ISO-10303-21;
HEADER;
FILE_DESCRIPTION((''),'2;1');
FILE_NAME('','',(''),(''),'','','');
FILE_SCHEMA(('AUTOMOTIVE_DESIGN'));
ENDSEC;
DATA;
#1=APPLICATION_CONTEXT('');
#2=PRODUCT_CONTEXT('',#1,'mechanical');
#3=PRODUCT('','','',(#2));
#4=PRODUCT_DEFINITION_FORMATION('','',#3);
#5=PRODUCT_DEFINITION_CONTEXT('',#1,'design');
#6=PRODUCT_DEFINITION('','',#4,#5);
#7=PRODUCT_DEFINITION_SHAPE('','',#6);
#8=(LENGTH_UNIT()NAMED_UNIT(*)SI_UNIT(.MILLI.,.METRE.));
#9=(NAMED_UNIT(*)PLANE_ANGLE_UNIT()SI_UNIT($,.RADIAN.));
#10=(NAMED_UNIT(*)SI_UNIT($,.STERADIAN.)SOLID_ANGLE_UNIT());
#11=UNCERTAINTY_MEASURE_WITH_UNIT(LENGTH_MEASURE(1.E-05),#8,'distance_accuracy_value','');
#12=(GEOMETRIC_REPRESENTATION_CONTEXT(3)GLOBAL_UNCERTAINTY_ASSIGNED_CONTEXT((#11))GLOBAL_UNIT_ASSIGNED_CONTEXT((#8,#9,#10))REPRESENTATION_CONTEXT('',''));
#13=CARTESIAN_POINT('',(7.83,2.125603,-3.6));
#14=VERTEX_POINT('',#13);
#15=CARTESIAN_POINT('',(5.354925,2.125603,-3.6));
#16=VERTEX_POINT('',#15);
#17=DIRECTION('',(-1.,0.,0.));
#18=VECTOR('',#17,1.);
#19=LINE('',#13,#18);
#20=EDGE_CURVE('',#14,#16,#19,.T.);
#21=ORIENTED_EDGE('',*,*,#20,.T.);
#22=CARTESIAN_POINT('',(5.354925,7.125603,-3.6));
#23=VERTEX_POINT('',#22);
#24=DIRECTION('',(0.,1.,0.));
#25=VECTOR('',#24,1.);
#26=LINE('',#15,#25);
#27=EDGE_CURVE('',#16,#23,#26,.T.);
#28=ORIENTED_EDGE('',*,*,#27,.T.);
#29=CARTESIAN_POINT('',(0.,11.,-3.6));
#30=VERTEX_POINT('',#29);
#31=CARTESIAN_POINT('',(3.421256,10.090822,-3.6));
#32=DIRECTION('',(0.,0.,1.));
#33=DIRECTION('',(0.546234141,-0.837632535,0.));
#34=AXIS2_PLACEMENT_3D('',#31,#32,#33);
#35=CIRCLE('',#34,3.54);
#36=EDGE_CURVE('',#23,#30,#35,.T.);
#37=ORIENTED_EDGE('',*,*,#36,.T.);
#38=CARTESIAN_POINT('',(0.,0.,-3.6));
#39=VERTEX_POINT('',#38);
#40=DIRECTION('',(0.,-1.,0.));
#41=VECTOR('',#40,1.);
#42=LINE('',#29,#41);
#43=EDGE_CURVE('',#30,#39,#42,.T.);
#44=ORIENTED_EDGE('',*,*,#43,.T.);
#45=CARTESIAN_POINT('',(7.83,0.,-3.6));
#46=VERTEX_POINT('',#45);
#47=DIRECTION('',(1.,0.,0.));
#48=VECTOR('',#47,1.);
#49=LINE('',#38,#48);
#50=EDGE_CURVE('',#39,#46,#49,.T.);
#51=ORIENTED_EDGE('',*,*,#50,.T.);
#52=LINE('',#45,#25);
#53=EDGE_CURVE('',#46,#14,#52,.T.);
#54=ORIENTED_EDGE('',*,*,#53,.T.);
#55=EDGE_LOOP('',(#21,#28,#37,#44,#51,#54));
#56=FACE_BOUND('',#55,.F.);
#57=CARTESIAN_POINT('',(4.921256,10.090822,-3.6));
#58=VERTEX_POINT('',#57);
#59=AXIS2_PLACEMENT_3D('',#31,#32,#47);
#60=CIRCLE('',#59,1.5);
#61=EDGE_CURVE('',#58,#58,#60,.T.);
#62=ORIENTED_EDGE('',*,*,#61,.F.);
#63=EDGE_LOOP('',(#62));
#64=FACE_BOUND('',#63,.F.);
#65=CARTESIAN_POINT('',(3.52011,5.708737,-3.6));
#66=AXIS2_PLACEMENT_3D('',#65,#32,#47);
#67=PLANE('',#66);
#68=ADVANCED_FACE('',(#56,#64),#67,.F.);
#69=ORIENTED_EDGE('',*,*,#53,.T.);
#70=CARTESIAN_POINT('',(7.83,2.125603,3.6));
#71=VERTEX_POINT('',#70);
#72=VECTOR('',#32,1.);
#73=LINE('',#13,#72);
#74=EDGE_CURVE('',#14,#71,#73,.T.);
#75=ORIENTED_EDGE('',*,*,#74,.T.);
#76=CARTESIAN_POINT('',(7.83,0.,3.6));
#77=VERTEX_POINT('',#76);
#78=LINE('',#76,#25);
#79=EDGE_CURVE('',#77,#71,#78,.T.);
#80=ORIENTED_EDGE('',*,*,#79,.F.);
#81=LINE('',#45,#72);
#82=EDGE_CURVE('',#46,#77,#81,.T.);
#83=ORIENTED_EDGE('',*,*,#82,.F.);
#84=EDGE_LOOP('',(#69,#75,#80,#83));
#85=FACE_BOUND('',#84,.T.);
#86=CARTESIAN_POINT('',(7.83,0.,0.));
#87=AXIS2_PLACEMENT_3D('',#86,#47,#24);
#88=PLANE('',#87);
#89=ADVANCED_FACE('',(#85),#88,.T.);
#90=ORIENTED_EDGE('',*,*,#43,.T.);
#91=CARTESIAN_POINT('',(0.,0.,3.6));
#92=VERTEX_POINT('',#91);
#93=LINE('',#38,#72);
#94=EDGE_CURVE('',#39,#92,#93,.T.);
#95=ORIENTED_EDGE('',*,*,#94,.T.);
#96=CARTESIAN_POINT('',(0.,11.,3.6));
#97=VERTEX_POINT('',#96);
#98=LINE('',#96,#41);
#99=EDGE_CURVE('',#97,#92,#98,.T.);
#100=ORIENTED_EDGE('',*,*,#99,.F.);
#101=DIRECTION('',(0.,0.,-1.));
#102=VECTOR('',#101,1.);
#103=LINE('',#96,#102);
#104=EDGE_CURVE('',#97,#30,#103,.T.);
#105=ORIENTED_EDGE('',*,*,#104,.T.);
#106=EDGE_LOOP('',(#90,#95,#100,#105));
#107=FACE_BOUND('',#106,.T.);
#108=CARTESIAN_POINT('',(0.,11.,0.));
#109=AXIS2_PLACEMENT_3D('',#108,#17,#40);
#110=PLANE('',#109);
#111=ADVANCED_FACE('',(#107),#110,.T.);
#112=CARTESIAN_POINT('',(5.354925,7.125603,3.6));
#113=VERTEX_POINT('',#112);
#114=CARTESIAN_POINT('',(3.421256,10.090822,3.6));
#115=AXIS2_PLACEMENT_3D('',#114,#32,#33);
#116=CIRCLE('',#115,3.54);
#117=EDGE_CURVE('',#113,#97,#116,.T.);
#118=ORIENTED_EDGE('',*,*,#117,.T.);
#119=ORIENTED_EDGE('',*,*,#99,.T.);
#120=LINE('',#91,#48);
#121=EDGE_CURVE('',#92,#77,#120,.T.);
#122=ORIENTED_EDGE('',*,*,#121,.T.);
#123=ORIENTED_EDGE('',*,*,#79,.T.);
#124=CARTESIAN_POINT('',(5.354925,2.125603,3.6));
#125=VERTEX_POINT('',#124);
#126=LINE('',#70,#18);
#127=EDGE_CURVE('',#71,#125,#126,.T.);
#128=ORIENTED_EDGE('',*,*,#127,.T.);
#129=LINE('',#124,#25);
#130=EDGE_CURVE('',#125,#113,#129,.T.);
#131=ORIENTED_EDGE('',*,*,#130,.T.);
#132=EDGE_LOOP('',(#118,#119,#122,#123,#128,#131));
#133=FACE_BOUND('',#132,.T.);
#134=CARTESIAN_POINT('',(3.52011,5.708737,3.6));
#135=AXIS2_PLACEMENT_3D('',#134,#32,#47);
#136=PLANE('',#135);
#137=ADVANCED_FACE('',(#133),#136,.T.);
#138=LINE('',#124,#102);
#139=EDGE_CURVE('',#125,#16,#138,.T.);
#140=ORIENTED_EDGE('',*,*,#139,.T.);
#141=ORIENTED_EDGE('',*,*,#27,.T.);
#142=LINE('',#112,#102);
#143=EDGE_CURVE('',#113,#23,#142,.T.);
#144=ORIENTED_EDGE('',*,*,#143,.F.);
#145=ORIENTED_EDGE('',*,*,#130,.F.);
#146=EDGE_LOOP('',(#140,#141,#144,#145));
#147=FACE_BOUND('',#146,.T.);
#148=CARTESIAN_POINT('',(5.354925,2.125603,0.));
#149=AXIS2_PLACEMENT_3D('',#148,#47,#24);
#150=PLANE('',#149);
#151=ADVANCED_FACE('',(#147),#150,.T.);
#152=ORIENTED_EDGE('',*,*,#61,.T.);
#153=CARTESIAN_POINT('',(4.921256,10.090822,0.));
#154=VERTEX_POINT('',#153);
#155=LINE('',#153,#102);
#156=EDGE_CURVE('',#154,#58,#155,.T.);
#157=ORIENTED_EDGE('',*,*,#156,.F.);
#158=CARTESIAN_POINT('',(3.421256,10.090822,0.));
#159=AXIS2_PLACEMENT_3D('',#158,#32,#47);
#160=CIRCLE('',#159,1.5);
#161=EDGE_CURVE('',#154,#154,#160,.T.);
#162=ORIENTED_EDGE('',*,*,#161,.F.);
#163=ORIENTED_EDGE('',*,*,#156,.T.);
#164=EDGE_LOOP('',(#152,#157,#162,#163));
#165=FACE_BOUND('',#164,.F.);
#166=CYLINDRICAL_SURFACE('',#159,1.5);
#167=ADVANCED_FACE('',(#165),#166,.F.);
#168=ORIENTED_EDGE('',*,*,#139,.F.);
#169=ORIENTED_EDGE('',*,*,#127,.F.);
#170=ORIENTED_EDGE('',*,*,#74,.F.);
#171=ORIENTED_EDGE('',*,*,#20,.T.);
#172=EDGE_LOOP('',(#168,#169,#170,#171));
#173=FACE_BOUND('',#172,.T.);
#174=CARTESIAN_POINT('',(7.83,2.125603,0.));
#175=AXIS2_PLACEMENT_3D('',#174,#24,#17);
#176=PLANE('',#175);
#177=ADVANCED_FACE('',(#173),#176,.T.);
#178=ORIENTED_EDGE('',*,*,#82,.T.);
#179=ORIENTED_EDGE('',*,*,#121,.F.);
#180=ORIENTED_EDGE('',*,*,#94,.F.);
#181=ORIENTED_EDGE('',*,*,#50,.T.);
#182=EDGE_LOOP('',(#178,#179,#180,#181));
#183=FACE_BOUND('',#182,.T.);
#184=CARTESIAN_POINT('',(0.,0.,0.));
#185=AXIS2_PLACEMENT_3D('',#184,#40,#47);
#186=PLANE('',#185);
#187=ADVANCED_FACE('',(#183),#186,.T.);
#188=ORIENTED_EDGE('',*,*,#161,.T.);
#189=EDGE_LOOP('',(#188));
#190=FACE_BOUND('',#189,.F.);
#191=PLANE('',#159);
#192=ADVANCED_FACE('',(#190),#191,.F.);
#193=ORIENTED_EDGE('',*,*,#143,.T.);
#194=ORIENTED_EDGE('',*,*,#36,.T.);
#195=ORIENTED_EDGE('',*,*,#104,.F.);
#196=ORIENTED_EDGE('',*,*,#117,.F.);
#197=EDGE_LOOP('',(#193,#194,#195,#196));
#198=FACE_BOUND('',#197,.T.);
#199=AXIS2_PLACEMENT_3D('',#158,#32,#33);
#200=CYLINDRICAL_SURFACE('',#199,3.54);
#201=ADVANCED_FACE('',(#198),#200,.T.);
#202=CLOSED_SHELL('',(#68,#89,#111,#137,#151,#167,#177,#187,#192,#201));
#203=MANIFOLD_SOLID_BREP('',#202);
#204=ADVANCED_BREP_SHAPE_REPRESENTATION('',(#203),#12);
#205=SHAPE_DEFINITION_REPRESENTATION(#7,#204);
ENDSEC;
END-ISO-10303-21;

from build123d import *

# Parameters (mm, degrees)
F1_DEPTH      = 3.6
F1_DEPTH_BACK = 3.6
F2_R          = 1.5
F3_DEPTH      = 25


with BuildPart() as f1:
    # F0 (on Top) → F1 (new body, two sides)
    with BuildSketch(Plane.XY) as f1_sk:
        with BuildLine():
            Line((0, 11), (0, 0))
            Line((0, 0), (7.83, 0))
            Line((7.83, 0), (7.83, 2.125603))
            Line((7.83, 2.125603), (5.354925, 2.125603))
            Line((5.354925, 2.125603), (5.354925, 7.125603))
            ThreePointArc((5.354925, 7.125603), (5.496339, 12.958858), (0, 11))
        make_face()
    extrude(amount=F1_DEPTH)
    extrude(f1_sk.sketch, amount=-F1_DEPTH_BACK)

    # F2 (on Top) → F3 (cut)
    with BuildSketch(Plane.XY):
        with Locations((3.421256, 10.090822)):
            Circle(F2_R)
    extrude(amount=-F3_DEPTH, mode=Mode.SUBTRACT)


solid = f1.part
